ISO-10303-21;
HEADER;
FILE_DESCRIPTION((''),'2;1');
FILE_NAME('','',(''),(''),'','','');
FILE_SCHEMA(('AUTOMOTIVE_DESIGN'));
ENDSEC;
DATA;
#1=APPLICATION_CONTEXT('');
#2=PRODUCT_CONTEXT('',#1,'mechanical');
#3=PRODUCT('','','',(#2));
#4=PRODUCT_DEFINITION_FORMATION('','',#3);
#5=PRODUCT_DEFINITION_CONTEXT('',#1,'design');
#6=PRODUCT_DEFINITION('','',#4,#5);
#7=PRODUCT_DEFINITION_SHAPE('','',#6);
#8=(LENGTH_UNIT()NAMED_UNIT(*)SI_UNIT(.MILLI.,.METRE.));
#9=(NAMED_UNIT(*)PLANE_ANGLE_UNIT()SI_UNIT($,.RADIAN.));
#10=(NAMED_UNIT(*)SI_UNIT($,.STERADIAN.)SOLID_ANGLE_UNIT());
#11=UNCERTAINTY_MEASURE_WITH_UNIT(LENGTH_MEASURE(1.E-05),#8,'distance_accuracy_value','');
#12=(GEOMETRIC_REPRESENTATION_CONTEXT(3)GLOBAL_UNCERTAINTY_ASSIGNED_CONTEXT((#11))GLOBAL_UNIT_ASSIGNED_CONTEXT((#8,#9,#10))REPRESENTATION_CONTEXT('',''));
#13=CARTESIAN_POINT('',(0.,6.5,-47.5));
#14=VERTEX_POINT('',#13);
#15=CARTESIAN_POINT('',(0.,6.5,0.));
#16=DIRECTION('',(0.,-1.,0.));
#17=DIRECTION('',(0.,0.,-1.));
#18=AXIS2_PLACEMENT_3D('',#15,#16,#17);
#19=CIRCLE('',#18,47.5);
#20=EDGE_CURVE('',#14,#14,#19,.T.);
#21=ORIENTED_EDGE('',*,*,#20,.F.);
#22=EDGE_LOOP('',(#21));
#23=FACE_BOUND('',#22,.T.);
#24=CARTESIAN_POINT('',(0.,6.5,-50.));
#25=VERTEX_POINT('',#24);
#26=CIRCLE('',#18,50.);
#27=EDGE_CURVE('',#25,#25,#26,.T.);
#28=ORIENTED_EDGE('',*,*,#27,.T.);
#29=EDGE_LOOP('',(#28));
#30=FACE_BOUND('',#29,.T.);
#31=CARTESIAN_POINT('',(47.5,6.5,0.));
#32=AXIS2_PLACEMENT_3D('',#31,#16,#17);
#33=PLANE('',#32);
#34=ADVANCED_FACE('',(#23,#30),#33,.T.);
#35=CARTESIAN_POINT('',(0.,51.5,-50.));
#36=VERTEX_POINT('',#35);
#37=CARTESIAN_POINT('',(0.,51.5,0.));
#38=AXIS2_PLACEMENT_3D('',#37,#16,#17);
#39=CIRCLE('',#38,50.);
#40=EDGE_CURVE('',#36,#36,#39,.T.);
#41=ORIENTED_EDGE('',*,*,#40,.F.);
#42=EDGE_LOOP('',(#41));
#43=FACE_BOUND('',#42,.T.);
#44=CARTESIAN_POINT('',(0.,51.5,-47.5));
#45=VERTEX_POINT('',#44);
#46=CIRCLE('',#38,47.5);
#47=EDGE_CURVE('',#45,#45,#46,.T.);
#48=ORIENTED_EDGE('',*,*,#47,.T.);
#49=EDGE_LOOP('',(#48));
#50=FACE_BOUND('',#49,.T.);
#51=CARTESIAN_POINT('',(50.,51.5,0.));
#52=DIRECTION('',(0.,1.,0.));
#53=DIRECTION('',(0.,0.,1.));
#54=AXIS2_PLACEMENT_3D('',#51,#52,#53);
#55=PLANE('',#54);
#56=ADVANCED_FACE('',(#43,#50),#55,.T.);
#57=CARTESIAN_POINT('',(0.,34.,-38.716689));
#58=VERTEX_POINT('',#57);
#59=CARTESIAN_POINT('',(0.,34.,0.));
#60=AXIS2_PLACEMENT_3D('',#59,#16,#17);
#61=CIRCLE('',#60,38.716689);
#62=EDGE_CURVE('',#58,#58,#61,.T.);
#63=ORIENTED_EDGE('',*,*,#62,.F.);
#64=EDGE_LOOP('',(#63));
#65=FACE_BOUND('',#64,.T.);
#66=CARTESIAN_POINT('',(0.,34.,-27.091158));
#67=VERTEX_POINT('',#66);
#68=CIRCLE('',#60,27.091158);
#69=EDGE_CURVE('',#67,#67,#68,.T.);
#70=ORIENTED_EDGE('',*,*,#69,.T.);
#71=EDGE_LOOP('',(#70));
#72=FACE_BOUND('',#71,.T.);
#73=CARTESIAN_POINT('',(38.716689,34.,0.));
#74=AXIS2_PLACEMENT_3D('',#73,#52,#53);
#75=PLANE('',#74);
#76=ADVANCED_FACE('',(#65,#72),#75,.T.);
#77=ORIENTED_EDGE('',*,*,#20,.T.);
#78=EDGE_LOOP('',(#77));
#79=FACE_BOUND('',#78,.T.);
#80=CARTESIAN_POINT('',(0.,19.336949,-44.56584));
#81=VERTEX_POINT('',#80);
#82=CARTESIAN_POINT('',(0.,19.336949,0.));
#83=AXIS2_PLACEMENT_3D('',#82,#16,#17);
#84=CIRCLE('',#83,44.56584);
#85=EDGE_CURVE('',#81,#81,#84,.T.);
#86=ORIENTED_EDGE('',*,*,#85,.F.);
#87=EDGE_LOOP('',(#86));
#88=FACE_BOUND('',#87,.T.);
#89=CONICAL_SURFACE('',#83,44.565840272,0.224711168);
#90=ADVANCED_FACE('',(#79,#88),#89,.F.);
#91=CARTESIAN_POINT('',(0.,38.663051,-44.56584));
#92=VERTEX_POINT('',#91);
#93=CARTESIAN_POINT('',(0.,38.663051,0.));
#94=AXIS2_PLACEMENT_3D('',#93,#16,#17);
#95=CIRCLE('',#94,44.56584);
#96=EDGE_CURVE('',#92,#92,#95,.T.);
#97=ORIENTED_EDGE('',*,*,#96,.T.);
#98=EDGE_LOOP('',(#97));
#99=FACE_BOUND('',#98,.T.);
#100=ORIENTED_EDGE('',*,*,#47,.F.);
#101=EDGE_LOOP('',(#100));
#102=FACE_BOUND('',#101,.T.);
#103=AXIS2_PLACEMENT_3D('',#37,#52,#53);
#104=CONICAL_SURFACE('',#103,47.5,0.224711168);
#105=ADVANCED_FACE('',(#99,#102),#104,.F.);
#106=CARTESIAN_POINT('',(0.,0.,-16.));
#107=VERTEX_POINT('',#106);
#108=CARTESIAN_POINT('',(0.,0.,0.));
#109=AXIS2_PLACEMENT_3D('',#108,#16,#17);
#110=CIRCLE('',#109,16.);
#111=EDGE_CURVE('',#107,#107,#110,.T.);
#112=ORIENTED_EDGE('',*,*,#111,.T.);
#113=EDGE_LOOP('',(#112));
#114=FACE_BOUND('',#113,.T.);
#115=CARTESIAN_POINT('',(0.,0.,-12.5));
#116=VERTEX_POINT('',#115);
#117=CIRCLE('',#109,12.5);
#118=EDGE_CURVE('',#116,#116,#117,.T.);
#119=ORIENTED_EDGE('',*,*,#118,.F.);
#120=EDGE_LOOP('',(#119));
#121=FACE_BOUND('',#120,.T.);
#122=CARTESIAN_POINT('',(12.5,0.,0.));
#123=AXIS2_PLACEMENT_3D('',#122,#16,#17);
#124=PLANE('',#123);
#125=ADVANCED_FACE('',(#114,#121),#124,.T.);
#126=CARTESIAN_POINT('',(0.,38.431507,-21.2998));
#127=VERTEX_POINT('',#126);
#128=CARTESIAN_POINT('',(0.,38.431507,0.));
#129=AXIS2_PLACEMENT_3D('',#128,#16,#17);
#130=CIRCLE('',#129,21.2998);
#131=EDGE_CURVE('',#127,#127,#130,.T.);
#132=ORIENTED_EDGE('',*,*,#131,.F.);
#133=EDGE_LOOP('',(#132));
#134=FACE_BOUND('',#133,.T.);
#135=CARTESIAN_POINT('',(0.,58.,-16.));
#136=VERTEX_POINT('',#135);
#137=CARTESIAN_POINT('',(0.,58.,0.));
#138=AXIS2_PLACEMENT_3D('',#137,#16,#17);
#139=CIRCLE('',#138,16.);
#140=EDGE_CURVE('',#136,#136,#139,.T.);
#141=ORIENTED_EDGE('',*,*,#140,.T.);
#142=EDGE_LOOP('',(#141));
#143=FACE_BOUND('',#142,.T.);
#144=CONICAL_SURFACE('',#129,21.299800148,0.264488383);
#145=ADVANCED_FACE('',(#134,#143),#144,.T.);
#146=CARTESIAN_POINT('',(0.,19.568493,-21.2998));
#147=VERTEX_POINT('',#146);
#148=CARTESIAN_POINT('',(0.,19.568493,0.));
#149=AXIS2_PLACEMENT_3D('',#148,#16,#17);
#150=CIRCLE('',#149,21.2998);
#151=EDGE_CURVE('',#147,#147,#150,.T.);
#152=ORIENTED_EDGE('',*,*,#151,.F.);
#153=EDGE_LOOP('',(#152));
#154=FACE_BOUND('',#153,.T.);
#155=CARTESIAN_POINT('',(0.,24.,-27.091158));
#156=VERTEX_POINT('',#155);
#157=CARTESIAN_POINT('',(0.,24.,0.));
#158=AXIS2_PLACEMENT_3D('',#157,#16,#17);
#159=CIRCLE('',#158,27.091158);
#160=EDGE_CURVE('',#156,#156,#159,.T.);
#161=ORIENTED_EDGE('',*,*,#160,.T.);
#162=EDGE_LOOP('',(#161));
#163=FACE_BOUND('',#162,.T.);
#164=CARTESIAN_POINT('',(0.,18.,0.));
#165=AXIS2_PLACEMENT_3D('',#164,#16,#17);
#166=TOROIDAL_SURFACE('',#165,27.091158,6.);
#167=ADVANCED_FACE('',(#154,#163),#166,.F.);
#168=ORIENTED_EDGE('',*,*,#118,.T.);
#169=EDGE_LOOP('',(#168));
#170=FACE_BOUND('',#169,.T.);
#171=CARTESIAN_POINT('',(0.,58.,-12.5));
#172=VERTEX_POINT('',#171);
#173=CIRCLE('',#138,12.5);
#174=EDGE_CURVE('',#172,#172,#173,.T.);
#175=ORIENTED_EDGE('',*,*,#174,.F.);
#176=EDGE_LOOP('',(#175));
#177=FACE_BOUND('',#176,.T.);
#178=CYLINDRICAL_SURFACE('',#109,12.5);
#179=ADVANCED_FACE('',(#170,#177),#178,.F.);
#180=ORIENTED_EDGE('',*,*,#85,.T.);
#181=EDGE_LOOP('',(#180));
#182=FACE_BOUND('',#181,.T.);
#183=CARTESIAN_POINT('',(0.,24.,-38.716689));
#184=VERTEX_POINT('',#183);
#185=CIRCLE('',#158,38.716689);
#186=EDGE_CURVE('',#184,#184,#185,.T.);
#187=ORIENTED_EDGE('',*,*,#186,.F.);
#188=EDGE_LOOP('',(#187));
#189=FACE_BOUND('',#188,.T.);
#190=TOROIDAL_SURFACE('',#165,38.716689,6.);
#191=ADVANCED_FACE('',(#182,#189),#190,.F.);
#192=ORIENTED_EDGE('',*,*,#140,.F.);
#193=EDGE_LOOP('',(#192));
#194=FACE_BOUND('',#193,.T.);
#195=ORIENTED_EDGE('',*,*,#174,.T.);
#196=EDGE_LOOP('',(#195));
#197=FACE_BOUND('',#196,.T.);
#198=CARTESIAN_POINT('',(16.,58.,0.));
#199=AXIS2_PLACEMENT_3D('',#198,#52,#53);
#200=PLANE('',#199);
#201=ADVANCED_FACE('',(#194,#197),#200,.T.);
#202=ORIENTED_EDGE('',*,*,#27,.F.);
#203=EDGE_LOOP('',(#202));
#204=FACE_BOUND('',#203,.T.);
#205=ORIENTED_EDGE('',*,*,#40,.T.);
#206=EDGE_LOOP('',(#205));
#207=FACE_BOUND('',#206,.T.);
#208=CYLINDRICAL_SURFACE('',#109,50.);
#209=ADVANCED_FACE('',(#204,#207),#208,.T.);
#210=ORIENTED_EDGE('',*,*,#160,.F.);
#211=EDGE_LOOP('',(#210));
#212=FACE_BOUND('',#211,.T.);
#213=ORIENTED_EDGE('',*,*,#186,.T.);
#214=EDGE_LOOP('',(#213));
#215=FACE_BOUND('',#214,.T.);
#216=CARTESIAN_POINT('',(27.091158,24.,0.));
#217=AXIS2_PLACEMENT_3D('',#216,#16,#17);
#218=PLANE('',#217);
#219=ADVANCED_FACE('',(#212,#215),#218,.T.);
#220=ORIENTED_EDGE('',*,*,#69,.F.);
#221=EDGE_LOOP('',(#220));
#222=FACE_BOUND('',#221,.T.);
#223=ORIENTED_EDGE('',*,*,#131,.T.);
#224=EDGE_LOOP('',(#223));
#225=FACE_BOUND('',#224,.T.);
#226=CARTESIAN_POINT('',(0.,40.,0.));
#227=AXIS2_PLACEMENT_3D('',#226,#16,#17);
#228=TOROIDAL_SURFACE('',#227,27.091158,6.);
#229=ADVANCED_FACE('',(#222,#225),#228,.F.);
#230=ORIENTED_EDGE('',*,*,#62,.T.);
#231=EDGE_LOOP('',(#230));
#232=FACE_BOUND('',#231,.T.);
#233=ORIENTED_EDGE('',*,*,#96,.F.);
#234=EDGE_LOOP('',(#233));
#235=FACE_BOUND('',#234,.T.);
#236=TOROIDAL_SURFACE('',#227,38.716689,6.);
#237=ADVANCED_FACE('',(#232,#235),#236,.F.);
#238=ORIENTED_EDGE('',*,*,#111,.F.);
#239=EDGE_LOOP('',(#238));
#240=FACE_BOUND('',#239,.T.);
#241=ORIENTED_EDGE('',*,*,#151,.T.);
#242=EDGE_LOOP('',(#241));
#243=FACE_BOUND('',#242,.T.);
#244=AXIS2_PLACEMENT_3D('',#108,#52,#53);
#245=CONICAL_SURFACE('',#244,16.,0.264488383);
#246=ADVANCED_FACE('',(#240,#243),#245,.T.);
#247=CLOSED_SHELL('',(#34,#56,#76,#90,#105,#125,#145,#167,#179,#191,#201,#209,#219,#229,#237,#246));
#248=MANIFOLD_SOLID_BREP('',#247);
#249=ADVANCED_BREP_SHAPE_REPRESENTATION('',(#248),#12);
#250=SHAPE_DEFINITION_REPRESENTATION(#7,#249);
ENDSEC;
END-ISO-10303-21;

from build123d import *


with BuildPart() as part:
    # Sketch1 → Revolve1 (revolve)
    with BuildSketch(Plane.XY):
        with BuildLine():
            Line((12.5, 0), (16, 0))
            Line((16, 0), (21.299800148, 19.568492854))
            ThreePointArc((21.299800148, 19.568492854), (23.444993074, 22.765026607), (27.09115838, 24))
            Line((27.09115838, 24), (38.716689233, 24))
            ThreePointArc((38.716689233, 24), (42.456896924, 22.69157185), (44.565840272, 19.336948809))
            Line((44.565840272, 19.336948809), (47.5, 6.5))
            Line((47.5, 6.5), (50, 6.5))
            Line((50, 6.5), (50, 51.5))
            Line((50, 51.5), (47.5, 51.5))
            Line((47.5, 51.5), (44.565840272, 38.663051191))
            ThreePointArc((44.565840272, 38.663051191), (42.456896924, 35.30842815), (38.716689233, 34))
            Line((38.716689233, 34), (27.09115838, 34))
            ThreePointArc((27.09115838, 34), (23.444993074, 35.234973393), (21.299800148, 38.431507146))
            Line((21.299800148, 38.431507146), (16, 58))
            Line((16, 58), (12.5, 58))
            Line((12.5, 58), (12.5, 0))
        make_face()
    revolve(axis=Axis((0, 0, 0), (0, 1, 0)))


solid = part.part
